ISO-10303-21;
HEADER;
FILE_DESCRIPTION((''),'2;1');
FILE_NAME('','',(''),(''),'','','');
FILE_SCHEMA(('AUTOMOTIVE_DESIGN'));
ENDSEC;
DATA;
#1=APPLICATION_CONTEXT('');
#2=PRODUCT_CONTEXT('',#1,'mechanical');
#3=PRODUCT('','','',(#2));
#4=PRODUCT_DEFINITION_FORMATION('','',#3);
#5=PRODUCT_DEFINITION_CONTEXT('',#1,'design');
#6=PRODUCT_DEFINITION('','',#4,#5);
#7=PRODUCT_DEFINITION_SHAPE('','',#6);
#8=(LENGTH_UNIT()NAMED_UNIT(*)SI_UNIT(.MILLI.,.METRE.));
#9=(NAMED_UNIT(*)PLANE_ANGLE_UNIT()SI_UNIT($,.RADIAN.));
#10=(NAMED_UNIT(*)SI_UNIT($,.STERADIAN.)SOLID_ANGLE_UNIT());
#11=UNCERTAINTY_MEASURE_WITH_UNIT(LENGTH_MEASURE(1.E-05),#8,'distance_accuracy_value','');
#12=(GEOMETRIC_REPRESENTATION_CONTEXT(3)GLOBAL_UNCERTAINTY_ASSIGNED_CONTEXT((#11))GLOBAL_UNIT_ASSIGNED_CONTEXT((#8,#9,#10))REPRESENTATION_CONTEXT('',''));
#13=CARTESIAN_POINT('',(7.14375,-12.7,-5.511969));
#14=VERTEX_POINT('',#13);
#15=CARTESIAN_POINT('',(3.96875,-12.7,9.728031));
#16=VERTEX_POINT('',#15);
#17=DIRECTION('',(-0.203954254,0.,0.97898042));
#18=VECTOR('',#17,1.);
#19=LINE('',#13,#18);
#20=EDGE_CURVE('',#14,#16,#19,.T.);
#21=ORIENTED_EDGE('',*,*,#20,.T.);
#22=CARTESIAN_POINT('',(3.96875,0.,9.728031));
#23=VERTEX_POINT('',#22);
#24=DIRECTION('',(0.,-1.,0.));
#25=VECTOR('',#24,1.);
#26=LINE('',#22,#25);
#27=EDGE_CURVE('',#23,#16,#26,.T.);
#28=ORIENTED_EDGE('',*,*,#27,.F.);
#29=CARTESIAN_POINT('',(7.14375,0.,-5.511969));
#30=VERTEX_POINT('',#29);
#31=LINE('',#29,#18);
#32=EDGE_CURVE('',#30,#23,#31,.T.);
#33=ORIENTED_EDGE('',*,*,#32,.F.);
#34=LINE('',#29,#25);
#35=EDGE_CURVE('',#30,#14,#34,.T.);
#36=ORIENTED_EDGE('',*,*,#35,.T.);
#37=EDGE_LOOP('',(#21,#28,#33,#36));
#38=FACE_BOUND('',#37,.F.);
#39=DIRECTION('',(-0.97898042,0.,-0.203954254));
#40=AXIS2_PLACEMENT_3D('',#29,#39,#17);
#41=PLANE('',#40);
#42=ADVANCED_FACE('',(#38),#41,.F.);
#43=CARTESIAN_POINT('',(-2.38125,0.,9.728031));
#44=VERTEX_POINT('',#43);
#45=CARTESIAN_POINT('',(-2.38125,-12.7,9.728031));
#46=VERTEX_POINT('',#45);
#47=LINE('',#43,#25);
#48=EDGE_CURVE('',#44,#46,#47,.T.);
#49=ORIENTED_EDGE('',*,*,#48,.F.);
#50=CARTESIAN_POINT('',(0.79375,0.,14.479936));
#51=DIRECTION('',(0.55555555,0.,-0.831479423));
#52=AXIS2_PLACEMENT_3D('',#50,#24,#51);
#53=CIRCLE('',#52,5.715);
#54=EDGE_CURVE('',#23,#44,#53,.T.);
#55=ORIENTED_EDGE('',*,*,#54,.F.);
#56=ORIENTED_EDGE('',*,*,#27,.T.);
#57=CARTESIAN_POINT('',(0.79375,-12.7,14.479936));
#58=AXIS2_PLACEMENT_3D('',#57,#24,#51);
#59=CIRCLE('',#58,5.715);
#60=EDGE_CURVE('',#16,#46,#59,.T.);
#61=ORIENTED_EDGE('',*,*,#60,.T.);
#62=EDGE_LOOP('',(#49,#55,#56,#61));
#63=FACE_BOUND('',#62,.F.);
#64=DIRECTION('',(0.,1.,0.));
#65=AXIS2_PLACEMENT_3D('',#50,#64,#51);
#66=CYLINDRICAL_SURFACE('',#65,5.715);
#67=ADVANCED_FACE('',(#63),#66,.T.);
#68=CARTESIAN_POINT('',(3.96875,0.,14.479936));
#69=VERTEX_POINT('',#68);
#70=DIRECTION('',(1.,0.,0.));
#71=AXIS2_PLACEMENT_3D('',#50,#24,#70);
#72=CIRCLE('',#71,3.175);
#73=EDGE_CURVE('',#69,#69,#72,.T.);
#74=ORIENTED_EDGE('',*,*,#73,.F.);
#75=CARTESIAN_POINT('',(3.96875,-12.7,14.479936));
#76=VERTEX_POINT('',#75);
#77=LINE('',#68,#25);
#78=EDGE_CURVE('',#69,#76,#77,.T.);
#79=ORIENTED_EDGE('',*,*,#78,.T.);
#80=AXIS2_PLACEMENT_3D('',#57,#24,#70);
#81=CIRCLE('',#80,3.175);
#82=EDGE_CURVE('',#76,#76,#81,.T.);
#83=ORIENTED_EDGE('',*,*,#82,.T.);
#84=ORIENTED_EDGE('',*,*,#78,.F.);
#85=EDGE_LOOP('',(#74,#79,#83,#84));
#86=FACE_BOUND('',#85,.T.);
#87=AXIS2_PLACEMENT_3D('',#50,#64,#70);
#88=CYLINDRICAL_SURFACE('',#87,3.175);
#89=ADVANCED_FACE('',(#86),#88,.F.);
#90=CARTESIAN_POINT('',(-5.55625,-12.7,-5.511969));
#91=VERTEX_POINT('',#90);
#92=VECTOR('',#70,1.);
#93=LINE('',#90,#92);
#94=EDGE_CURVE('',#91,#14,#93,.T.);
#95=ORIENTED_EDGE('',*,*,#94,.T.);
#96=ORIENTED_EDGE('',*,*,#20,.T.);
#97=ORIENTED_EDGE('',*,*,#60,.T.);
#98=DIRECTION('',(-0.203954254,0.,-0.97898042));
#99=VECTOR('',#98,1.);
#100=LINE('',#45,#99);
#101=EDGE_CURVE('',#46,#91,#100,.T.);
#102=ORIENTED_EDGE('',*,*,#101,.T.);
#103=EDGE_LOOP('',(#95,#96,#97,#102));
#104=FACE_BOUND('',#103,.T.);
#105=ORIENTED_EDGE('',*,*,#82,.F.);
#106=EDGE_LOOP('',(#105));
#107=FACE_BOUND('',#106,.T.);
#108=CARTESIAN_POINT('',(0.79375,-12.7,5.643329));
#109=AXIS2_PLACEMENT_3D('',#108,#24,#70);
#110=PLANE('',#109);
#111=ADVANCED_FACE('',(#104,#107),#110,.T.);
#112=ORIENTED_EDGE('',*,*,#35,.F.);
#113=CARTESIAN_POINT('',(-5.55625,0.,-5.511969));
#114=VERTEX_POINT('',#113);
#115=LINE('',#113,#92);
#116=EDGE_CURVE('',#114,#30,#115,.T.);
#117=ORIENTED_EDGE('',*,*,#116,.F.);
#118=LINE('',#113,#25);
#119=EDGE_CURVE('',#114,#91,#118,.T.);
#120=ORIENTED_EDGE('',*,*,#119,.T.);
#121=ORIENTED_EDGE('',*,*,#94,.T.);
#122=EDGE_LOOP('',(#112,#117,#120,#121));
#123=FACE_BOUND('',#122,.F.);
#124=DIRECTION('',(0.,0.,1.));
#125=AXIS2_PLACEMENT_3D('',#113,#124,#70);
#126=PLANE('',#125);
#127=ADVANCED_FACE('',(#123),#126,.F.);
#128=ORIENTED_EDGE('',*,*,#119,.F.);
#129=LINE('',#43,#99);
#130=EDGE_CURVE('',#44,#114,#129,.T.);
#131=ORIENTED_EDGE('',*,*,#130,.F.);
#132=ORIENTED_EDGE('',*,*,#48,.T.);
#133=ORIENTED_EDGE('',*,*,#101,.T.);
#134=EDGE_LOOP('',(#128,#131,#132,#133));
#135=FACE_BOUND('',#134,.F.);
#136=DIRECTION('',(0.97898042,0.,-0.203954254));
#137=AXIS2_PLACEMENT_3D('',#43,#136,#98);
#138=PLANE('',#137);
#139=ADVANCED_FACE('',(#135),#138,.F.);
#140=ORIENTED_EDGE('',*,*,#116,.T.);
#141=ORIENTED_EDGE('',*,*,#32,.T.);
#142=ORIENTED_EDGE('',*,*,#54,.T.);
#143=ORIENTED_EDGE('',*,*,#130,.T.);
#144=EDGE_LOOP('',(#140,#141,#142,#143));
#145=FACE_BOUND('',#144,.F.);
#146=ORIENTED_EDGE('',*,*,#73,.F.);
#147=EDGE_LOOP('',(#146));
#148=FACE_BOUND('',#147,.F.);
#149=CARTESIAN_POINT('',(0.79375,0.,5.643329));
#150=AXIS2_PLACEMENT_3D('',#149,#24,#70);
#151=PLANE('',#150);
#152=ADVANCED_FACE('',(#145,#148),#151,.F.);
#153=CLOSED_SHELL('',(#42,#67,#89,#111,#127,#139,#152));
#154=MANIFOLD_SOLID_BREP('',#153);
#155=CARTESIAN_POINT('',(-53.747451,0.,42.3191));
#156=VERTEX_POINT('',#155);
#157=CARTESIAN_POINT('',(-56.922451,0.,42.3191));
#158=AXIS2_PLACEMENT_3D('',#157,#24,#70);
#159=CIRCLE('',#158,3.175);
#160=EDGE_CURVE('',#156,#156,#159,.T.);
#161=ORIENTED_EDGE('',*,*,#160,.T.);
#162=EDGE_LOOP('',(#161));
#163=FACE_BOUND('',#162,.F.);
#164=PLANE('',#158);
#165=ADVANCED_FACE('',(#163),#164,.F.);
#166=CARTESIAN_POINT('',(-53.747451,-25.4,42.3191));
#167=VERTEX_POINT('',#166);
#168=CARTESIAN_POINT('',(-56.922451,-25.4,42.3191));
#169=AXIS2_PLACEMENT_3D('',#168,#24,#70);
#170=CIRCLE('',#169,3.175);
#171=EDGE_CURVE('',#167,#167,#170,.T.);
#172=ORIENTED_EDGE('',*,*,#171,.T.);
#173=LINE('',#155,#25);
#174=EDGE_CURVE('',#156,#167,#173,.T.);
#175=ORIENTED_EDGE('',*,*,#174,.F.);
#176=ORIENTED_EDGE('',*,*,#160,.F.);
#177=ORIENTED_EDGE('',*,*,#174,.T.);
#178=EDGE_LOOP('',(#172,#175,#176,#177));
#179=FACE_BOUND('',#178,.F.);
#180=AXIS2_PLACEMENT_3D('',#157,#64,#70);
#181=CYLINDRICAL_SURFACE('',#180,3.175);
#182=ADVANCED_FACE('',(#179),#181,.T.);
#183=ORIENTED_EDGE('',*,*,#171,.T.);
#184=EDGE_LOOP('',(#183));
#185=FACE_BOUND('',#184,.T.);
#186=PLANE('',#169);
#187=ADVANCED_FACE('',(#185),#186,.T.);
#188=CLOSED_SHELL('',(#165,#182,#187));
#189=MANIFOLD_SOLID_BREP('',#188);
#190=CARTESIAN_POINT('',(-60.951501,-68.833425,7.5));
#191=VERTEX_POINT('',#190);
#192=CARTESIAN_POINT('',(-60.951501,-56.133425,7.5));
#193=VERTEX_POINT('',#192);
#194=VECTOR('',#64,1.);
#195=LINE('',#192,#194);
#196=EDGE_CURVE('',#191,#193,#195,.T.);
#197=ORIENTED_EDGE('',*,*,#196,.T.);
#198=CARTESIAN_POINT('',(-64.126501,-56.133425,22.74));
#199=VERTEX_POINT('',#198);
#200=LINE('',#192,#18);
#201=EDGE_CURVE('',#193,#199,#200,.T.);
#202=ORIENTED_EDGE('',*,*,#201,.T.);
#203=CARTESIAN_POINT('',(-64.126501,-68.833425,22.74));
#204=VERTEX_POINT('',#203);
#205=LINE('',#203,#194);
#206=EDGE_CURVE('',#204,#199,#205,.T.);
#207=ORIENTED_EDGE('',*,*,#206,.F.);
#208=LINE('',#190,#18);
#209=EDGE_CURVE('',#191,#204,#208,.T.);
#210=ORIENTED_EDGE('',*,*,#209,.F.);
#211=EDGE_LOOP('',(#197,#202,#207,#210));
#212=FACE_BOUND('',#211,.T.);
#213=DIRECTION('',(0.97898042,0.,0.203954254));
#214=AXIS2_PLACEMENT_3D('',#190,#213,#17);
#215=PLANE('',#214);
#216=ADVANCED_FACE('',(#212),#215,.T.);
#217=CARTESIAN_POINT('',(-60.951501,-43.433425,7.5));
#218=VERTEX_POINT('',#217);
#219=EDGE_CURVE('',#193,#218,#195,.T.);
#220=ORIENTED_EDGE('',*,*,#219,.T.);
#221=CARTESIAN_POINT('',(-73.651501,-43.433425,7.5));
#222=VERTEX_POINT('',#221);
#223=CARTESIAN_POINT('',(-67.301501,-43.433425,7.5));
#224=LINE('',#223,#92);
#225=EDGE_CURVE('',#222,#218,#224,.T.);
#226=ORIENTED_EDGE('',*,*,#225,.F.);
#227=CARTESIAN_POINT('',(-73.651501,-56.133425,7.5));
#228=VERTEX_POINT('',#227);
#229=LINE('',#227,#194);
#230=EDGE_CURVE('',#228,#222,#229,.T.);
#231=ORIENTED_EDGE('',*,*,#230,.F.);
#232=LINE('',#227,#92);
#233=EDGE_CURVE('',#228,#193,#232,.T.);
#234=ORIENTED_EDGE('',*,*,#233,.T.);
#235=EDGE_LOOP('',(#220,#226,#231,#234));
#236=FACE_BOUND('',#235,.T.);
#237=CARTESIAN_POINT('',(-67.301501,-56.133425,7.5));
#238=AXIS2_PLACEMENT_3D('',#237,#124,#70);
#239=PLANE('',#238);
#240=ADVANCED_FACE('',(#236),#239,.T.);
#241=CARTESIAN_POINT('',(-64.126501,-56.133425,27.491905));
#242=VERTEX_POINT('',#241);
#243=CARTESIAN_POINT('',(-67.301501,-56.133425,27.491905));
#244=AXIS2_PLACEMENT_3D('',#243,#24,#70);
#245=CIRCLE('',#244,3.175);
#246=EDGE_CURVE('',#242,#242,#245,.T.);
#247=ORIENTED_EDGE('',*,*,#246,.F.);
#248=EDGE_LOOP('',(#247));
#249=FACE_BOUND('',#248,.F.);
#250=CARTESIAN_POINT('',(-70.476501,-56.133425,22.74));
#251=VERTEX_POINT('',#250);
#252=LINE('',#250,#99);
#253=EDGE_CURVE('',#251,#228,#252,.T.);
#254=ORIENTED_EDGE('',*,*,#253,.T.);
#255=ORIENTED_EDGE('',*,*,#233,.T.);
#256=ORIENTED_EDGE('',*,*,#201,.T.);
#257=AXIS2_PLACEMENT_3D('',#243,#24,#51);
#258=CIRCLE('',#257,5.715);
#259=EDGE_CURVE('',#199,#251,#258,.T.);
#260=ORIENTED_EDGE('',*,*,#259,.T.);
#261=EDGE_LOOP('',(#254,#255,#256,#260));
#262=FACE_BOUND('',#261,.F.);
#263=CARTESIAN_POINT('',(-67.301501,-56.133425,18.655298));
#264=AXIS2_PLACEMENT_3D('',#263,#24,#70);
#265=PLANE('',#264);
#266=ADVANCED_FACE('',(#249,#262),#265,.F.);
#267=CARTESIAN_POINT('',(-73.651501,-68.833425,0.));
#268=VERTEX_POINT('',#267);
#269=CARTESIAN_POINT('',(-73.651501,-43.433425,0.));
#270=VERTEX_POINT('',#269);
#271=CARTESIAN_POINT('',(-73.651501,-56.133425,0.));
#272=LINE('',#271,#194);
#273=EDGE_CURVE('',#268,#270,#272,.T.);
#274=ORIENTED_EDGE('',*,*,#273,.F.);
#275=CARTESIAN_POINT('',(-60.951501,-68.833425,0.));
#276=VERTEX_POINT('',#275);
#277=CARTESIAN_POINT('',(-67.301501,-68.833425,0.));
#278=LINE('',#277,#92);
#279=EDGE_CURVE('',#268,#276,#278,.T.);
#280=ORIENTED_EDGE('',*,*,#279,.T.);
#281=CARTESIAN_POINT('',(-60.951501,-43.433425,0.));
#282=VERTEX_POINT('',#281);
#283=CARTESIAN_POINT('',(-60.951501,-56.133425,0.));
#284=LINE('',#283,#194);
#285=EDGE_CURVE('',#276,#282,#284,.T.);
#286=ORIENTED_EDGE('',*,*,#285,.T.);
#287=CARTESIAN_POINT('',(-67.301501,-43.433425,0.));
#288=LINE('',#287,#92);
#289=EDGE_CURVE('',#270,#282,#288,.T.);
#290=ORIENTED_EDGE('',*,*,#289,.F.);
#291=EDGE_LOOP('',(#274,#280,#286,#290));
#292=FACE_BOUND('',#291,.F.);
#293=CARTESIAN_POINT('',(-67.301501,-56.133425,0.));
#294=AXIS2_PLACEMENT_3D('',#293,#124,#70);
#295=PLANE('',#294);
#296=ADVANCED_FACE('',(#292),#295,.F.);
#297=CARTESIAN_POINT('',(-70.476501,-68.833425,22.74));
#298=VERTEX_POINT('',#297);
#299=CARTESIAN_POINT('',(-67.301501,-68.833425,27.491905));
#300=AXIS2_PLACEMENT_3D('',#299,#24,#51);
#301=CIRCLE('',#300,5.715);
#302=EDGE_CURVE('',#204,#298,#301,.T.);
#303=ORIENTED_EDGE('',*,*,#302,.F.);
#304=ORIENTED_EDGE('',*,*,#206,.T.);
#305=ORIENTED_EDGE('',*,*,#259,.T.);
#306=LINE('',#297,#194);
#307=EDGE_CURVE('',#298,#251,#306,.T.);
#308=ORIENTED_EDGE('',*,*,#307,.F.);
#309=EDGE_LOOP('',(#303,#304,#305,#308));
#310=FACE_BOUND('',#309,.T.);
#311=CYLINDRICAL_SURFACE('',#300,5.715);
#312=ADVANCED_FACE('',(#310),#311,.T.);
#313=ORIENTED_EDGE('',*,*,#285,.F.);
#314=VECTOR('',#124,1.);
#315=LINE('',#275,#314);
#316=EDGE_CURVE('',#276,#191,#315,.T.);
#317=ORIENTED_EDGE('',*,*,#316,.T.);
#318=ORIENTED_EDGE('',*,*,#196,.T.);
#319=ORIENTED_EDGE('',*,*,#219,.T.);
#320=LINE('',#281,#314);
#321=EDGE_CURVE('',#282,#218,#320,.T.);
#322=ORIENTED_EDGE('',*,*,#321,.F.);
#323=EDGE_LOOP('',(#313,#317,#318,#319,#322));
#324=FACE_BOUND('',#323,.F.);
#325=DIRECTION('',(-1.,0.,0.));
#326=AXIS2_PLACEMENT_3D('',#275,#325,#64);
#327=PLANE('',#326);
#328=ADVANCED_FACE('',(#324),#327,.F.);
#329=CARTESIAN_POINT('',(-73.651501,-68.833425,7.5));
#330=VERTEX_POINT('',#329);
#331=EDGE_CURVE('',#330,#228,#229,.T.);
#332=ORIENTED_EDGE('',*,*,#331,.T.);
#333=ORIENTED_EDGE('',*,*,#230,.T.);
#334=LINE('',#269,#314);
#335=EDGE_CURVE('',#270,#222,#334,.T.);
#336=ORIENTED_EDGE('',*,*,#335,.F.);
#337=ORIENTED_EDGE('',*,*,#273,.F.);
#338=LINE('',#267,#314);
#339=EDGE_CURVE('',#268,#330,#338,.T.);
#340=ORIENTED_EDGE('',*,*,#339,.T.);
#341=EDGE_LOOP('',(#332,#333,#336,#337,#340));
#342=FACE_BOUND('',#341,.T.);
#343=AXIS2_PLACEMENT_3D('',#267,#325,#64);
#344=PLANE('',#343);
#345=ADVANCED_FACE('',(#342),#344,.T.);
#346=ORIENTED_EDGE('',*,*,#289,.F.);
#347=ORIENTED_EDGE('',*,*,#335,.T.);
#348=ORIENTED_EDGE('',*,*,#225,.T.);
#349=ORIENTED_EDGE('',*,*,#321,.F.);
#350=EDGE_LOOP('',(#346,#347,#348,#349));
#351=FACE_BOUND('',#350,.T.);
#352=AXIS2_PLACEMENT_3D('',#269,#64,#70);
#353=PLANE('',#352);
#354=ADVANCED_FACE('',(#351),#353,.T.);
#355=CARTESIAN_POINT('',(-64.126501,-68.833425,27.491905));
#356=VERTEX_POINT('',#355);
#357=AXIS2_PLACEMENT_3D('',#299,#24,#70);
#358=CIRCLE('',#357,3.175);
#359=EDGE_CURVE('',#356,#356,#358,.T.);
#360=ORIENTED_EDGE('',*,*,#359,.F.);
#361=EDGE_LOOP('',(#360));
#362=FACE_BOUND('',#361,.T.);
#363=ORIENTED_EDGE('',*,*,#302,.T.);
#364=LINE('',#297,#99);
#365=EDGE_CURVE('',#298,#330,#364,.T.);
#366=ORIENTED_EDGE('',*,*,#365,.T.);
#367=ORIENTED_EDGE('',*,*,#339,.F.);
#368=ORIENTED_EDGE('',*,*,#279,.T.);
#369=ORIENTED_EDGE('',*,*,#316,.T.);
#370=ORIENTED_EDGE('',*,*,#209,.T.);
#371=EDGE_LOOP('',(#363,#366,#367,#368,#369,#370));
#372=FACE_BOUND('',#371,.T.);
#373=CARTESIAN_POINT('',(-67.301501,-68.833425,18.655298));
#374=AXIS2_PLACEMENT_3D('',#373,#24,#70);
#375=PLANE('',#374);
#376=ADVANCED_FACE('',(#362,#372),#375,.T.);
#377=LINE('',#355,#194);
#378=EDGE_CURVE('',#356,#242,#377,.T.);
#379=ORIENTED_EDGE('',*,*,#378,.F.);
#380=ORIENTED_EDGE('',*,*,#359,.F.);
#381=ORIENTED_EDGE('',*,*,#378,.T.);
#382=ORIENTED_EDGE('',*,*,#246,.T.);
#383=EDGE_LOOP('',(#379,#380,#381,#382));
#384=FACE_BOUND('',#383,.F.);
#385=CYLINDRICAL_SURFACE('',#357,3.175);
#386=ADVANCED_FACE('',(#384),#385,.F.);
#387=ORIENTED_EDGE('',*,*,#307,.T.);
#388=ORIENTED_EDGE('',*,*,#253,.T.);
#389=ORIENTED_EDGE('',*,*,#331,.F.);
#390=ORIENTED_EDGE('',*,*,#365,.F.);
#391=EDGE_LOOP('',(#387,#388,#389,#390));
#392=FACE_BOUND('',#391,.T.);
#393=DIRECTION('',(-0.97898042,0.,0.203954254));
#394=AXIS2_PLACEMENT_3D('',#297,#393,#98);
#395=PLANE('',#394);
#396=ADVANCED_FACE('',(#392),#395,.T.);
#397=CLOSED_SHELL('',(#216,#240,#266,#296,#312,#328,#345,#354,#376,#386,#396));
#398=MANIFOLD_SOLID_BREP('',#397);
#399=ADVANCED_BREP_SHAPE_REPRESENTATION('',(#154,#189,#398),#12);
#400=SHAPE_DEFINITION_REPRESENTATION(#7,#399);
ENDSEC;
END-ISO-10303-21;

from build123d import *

# Parameters (mm, degrees)
F0_W     = 12.7
F0_H     = 25.4
F1_DEPTH = 7.5
F3_DEPTH = 12.7
F4_R     = 3.175
F5_DEPTH = 25.4
F6_R     = 3.175
F7_DEPTH = 12.7
F8_R     = 3.175
F9_DEPTH = 25.4


with BuildPart() as f1:
    # F0 (on Top) → F1 (new body)
    with BuildSketch(Plane.XY):
        with Locations((-67.301501, -56.133425)):
            Rectangle(F0_W, F0_H)
    extrude(amount=F1_DEPTH)

    # F2 (on face) → F3 (join)
    with BuildSketch(Plane.XZ.offset(68.833425)):
        with BuildLine():
            Line((-70.476501, 22.74), (-73.651501, 7.5))
            Line((-73.651501, 7.5), (-60.951501, 7.5))
            Line((-60.951501, 7.5), (-64.126501, 22.74))
            ThreePointArc((-64.126501, 22.74), (-67.301501, 33.206905), (-70.476501, 22.74))
        make_face()
    extrude(amount=-F3_DEPTH)

    # F4 (on face) → F5 (cut)
    with BuildSketch(Plane.XZ.offset(68.833425)):
        with Locations((-67.301501, 27.491905)):
            Circle(F4_R)
    extrude(amount=-F5_DEPTH, mode=Mode.SUBTRACT)


with BuildPart() as f7:
    # F6 (on Front) → F7 (new body)
    with BuildSketch(Plane.XZ):
        with BuildLine():
            Line((-2.38125, 9.728031), (-5.55625, -5.511969))
            Line((-5.55625, -5.511969), (7.14375, -5.511969))
            Line((7.14375, -5.511969), (3.96875, 9.728031))
            ThreePointArc((3.96875, 9.728031), (0.79375, 20.194936), (-2.38125, 9.728031))
        make_face()
        with Locations((0.79375, 14.479936)):
            Circle(F6_R, mode=Mode.SUBTRACT)
    extrude(amount=F7_DEPTH)


with BuildPart() as f9:
    # F8 (on Front) → F9 (new body)
    with BuildSketch(Plane.XZ):
        with Locations((-56.922451, 42.3191)):
            Circle(F8_R)
    extrude(amount=F9_DEPTH)


solid = Compound([f1.part, f7.part, f9.part])
